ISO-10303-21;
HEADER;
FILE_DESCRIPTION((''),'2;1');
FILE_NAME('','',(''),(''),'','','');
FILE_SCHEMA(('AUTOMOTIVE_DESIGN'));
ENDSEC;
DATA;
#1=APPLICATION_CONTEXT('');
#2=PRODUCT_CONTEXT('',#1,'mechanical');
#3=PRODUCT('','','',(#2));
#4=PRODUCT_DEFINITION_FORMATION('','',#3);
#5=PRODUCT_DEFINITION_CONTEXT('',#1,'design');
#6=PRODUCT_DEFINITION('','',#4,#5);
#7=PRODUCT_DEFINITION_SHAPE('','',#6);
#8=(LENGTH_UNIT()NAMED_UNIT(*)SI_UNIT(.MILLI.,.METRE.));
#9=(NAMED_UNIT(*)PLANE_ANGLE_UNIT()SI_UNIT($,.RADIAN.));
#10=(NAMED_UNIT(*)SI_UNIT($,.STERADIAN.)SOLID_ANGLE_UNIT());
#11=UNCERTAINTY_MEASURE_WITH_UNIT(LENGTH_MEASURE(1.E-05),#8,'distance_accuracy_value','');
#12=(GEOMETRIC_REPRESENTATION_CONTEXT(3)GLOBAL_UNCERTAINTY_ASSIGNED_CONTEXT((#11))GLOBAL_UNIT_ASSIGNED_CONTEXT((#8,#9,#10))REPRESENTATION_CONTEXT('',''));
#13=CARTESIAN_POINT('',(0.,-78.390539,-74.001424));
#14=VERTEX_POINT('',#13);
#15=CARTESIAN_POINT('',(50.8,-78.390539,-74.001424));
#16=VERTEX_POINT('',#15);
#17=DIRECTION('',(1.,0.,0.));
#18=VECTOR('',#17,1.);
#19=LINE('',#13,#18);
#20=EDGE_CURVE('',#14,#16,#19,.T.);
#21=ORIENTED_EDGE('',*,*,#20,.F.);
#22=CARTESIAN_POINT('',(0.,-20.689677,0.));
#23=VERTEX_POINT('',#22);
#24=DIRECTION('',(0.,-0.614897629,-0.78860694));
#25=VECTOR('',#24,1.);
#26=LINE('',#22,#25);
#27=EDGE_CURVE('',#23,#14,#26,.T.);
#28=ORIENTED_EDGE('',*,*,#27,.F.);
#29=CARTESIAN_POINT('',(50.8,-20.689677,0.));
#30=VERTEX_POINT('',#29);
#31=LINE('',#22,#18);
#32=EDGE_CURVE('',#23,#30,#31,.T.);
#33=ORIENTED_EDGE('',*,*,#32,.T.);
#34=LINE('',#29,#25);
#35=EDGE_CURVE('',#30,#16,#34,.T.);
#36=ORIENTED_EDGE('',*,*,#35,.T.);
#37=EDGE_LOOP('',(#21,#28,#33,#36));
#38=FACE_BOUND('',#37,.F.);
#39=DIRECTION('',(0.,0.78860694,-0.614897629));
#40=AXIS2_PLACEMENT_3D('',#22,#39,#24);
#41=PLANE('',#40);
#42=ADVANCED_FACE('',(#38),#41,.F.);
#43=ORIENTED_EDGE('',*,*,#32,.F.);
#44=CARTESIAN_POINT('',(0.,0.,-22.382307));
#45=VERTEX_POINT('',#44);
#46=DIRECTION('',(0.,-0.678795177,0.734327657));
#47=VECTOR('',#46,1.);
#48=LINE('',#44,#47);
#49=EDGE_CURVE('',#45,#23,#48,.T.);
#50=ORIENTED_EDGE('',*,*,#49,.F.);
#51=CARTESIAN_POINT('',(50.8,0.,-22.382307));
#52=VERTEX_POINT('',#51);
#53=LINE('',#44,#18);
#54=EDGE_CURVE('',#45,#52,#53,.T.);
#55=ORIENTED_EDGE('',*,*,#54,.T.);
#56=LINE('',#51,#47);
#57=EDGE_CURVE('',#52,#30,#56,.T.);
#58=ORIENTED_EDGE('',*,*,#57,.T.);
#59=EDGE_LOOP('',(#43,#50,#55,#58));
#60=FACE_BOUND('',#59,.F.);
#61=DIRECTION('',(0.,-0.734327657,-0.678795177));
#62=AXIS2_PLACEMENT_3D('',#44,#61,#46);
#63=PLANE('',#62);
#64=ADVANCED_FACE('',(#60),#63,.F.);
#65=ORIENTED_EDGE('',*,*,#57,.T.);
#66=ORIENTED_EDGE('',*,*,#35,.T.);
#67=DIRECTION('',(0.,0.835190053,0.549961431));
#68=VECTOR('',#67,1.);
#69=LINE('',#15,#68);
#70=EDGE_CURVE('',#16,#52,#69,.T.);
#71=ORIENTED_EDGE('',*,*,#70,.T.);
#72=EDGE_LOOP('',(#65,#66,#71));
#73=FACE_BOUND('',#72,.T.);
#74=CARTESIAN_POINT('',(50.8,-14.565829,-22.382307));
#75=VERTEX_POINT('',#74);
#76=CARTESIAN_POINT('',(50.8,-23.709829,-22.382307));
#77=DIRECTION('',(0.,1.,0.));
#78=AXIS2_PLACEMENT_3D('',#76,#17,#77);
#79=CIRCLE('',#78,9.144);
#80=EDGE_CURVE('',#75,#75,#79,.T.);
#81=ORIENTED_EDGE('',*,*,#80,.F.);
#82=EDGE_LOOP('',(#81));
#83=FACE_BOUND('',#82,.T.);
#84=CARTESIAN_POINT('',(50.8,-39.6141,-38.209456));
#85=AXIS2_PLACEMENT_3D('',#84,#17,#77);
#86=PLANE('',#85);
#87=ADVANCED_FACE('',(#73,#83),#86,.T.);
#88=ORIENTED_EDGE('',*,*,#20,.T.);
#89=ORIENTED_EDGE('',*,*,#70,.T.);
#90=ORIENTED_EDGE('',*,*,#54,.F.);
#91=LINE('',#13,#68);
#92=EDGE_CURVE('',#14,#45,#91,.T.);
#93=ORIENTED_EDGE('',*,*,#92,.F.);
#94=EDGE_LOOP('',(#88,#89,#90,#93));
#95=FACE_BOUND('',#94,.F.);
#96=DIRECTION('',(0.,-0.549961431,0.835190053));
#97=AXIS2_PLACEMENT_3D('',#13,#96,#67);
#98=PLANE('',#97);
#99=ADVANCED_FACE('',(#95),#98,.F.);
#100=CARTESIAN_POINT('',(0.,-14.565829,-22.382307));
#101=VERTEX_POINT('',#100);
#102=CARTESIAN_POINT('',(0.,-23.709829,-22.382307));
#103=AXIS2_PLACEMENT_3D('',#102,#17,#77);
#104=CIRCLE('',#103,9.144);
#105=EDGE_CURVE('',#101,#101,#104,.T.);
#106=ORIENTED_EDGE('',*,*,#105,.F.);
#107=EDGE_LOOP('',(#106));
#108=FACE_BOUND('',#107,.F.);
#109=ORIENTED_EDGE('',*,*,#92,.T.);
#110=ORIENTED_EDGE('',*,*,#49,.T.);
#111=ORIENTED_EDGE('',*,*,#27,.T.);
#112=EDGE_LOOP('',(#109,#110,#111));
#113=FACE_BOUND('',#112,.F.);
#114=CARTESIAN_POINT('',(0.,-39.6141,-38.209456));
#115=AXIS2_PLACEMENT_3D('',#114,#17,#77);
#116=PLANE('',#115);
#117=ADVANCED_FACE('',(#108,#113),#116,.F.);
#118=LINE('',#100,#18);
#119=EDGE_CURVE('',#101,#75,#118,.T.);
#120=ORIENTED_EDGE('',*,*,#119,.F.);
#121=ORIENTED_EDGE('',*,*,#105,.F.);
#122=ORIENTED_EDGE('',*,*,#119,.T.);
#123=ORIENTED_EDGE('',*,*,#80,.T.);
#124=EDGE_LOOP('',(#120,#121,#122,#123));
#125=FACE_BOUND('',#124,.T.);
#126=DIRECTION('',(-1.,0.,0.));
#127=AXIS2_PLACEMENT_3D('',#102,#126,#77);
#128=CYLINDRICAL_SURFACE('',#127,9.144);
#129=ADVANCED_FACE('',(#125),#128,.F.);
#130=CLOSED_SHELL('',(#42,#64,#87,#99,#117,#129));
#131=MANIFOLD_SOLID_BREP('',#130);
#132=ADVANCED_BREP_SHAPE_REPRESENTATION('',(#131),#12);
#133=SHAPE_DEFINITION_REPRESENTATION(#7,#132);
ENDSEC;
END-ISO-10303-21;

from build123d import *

# Parameters (mm, degrees)
F0_R     = 9.144
F1_DEPTH = 50.8


with BuildPart() as f1:
    # F0 (on Right) → F1 (new body)
    with BuildSketch(Plane.YZ):
        Polygon((0, -22.382307), (-20.689677, 0), (-78.390539, -74.001424), align=None)
        with Locations((-23.709829, -22.382307)):
            Circle(F0_R, mode=Mode.SUBTRACT)
    extrude(amount=F1_DEPTH)


solid = f1.part
